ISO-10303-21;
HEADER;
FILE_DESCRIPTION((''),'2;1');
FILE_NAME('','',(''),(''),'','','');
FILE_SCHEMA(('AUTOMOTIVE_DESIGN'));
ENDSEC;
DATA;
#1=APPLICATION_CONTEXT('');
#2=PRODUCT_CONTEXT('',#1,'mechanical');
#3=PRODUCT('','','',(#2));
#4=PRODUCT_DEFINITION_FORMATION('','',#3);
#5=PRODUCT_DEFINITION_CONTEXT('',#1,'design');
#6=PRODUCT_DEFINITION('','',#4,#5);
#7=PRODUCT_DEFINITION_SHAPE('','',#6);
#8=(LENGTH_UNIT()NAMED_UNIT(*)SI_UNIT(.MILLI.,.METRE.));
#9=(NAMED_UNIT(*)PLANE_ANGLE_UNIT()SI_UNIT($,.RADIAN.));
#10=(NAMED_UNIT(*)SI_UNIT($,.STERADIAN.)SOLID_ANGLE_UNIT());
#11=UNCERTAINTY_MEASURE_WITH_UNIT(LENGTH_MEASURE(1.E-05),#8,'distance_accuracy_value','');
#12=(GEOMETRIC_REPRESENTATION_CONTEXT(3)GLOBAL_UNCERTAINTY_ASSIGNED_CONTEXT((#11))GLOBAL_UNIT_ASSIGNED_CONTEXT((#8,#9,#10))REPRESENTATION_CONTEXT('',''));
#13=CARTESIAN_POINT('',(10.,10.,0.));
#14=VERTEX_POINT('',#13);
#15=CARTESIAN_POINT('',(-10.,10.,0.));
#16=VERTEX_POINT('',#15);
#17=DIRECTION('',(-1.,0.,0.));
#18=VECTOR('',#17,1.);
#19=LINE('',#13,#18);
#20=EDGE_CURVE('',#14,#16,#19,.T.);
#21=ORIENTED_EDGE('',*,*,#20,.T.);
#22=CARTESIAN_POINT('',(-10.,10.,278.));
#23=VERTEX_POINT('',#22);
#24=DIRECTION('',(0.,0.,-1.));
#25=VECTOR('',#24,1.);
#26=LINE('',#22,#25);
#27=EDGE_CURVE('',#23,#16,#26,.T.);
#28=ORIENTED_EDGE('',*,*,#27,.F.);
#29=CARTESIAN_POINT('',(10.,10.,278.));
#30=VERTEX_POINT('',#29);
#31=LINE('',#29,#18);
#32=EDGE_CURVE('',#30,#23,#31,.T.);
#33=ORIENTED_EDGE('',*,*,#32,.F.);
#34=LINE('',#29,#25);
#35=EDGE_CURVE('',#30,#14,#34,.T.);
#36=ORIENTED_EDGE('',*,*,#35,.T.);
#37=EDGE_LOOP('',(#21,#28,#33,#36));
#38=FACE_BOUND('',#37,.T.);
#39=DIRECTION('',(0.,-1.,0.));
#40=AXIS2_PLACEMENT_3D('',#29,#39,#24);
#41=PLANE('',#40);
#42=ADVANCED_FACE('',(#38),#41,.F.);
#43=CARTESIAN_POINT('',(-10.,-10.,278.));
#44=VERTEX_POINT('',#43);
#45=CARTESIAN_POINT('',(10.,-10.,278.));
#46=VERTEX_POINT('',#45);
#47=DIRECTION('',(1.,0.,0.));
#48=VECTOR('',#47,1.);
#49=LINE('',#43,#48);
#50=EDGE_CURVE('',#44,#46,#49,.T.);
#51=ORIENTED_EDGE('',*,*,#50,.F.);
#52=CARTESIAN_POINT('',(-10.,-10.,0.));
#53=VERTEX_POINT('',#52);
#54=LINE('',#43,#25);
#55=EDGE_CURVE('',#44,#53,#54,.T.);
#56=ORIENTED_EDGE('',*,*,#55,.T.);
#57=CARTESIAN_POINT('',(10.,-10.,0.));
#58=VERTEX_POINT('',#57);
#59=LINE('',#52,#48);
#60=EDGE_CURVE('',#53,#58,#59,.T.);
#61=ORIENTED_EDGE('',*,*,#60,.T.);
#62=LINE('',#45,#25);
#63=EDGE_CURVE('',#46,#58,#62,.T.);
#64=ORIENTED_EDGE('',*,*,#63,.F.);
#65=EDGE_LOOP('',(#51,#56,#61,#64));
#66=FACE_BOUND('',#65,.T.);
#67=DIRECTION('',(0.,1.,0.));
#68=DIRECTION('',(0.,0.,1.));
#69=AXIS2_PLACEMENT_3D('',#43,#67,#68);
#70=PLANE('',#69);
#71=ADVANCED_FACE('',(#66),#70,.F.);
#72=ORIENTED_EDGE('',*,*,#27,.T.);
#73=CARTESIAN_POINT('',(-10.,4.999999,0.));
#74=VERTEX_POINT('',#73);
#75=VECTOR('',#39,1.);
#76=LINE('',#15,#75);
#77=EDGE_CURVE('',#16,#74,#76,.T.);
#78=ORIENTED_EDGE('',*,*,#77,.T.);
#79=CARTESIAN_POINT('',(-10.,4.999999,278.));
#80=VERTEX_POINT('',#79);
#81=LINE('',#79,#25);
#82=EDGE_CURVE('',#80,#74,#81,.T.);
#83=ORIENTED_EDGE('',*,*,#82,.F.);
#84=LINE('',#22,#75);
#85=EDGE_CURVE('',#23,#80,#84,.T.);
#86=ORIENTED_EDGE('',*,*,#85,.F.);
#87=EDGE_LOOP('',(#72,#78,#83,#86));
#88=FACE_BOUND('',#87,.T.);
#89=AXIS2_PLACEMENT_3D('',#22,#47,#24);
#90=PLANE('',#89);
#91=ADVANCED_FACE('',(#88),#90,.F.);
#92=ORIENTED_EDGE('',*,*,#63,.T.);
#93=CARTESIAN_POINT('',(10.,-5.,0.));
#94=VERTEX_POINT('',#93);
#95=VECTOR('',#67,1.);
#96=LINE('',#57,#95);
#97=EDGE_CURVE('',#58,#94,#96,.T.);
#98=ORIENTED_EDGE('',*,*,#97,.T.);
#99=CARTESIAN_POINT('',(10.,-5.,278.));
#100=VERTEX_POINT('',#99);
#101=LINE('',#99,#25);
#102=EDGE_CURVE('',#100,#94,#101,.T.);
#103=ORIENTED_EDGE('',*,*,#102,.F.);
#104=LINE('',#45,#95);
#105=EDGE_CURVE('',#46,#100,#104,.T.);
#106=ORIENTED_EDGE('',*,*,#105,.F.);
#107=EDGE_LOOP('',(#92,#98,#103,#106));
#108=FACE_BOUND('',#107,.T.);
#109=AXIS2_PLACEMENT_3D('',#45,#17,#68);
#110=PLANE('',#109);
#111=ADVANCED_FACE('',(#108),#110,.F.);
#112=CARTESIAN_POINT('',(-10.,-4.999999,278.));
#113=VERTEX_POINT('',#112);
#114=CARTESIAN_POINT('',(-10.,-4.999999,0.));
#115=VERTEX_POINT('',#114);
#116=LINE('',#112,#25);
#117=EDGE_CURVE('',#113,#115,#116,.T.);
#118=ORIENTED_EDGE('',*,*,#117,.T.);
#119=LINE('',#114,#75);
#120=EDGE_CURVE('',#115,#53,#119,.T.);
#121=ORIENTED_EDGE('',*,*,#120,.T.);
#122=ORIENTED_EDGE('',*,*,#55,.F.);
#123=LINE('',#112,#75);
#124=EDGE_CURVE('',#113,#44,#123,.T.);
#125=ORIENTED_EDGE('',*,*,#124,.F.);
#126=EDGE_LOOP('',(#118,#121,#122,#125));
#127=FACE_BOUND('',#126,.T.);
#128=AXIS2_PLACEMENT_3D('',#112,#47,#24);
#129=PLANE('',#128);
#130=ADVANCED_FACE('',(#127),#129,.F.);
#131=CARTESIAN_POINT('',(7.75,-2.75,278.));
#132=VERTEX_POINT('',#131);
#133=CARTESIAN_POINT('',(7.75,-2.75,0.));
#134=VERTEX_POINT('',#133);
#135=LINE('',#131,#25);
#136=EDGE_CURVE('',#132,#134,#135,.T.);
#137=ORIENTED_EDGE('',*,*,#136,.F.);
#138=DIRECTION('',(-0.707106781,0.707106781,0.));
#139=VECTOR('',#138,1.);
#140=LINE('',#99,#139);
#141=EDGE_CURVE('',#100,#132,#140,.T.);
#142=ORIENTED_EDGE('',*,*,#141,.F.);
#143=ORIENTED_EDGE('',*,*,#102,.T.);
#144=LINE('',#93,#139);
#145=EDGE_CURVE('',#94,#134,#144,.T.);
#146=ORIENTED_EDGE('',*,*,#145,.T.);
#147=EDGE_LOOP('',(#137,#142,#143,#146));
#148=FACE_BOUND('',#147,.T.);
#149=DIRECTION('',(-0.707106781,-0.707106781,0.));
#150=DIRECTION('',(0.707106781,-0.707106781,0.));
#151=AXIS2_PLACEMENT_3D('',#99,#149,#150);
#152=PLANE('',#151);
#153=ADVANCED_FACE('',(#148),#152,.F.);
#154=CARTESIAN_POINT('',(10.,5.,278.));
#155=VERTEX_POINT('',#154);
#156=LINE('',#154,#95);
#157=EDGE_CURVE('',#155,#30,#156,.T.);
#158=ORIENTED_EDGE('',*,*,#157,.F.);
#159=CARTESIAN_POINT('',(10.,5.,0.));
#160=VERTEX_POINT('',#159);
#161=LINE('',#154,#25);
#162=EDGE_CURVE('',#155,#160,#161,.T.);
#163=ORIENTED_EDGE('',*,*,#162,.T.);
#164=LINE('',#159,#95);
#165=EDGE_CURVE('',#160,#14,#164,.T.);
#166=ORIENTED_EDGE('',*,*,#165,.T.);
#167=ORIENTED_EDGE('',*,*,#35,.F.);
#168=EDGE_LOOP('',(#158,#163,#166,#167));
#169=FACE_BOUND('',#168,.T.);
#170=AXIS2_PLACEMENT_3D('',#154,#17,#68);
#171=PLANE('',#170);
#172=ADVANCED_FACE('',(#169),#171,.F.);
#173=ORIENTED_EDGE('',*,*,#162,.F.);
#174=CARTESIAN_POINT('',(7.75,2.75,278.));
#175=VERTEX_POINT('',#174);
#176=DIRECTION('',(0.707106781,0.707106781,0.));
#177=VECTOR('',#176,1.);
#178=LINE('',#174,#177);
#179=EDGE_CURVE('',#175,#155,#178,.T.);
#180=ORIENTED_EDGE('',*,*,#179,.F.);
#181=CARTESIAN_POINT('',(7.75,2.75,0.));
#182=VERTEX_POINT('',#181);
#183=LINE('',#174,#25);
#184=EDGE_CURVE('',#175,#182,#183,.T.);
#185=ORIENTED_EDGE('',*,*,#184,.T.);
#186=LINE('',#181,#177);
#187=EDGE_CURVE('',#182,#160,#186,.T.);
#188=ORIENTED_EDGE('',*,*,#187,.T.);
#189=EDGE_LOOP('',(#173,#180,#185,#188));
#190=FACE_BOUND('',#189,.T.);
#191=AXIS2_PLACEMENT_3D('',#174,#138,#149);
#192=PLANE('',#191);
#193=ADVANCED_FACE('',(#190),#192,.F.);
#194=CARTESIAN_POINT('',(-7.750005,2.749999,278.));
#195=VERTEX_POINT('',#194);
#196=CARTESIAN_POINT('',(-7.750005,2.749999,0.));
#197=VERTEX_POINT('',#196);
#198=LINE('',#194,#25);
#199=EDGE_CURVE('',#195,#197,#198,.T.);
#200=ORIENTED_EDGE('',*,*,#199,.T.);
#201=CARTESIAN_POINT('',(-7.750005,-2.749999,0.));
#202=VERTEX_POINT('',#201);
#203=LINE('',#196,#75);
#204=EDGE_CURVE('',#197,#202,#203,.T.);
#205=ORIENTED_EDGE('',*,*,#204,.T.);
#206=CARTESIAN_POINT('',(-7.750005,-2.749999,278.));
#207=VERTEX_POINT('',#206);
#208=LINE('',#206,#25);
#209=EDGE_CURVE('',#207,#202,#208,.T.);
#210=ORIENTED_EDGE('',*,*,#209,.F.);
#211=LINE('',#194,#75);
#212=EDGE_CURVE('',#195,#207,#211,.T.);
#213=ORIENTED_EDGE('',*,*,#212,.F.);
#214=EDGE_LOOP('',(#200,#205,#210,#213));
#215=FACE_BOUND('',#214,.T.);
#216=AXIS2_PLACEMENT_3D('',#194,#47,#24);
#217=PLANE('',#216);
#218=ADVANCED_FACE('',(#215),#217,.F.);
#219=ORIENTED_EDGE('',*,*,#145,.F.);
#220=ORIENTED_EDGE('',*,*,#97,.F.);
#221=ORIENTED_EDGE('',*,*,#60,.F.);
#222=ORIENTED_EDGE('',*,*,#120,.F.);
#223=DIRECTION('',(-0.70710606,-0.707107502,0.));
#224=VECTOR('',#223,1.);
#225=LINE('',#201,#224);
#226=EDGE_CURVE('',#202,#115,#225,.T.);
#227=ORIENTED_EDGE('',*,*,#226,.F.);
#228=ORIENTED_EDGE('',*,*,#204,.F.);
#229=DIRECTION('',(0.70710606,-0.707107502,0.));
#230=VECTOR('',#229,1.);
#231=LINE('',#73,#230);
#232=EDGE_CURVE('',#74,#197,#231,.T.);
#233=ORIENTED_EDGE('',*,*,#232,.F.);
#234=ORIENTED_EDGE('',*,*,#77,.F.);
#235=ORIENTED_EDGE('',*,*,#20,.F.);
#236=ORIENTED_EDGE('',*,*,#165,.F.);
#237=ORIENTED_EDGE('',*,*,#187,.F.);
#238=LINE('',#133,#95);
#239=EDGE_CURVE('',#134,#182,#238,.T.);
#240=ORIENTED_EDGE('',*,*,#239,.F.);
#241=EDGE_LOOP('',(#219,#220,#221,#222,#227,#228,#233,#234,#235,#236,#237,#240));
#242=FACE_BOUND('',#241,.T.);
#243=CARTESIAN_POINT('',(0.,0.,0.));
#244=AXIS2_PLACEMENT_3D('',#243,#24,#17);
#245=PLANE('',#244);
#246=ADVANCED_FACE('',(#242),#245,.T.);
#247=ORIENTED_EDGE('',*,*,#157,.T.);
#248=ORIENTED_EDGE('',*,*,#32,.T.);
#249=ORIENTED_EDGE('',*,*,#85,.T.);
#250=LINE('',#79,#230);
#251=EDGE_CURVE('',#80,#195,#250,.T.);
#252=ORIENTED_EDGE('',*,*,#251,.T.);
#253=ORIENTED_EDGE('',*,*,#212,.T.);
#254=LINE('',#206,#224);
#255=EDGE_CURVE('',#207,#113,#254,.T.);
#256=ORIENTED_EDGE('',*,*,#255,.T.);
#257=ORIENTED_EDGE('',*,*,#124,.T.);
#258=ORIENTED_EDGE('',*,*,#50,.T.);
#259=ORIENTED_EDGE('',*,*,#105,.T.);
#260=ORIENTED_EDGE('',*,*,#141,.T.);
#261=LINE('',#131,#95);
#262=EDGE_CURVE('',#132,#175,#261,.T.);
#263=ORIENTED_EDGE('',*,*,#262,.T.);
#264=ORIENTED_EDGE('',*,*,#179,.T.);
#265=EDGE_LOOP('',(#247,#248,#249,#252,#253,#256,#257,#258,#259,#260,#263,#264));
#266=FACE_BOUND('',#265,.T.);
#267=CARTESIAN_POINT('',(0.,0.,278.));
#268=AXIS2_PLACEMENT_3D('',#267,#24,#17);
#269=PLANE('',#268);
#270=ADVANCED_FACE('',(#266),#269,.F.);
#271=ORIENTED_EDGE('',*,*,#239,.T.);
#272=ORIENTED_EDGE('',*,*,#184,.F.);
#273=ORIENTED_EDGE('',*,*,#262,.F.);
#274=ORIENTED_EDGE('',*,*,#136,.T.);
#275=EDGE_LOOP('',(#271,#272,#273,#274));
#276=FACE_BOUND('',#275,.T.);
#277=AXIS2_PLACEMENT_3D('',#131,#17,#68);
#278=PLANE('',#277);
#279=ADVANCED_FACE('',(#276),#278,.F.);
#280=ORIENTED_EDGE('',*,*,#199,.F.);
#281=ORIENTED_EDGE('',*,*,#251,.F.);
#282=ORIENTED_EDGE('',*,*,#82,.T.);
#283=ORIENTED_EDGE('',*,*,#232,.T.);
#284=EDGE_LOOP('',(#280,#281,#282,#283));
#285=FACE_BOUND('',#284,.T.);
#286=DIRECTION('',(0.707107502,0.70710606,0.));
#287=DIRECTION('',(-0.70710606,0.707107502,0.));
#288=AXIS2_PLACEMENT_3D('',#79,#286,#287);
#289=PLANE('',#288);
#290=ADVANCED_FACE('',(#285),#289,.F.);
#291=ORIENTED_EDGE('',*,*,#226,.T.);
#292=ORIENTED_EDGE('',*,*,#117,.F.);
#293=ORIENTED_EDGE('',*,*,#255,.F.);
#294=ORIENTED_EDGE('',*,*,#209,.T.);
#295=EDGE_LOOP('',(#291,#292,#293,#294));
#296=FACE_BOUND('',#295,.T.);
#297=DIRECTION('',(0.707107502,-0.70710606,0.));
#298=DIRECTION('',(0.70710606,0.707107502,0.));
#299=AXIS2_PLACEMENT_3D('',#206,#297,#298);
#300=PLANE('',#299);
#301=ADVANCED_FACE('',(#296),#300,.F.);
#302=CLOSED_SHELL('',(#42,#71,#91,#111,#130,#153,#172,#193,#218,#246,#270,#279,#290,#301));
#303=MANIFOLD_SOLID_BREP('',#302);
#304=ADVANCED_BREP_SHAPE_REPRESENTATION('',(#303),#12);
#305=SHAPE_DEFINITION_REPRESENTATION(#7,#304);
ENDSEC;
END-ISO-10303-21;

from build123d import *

# Parameters (mm, degrees)
BOSS_EXTRUDE1_DEPTH = 278


with BuildPart() as part:
    # Sketch1 → Boss-Extrude1 (new body)
    with BuildSketch(Plane.XY):
        Polygon((7.75, -2.75), (7.75, 2.75), (10, 5), (10, 10), (-10, 10), (-10, 4.999999106), (-7.75000459, 2.749999106), (-7.75000459, -2.749999106), (-10, -4.999999106), (-10, -10), (10, -10), (10, -5), align=None)
    extrude(amount=BOSS_EXTRUDE1_DEPTH)


solid = part.part
